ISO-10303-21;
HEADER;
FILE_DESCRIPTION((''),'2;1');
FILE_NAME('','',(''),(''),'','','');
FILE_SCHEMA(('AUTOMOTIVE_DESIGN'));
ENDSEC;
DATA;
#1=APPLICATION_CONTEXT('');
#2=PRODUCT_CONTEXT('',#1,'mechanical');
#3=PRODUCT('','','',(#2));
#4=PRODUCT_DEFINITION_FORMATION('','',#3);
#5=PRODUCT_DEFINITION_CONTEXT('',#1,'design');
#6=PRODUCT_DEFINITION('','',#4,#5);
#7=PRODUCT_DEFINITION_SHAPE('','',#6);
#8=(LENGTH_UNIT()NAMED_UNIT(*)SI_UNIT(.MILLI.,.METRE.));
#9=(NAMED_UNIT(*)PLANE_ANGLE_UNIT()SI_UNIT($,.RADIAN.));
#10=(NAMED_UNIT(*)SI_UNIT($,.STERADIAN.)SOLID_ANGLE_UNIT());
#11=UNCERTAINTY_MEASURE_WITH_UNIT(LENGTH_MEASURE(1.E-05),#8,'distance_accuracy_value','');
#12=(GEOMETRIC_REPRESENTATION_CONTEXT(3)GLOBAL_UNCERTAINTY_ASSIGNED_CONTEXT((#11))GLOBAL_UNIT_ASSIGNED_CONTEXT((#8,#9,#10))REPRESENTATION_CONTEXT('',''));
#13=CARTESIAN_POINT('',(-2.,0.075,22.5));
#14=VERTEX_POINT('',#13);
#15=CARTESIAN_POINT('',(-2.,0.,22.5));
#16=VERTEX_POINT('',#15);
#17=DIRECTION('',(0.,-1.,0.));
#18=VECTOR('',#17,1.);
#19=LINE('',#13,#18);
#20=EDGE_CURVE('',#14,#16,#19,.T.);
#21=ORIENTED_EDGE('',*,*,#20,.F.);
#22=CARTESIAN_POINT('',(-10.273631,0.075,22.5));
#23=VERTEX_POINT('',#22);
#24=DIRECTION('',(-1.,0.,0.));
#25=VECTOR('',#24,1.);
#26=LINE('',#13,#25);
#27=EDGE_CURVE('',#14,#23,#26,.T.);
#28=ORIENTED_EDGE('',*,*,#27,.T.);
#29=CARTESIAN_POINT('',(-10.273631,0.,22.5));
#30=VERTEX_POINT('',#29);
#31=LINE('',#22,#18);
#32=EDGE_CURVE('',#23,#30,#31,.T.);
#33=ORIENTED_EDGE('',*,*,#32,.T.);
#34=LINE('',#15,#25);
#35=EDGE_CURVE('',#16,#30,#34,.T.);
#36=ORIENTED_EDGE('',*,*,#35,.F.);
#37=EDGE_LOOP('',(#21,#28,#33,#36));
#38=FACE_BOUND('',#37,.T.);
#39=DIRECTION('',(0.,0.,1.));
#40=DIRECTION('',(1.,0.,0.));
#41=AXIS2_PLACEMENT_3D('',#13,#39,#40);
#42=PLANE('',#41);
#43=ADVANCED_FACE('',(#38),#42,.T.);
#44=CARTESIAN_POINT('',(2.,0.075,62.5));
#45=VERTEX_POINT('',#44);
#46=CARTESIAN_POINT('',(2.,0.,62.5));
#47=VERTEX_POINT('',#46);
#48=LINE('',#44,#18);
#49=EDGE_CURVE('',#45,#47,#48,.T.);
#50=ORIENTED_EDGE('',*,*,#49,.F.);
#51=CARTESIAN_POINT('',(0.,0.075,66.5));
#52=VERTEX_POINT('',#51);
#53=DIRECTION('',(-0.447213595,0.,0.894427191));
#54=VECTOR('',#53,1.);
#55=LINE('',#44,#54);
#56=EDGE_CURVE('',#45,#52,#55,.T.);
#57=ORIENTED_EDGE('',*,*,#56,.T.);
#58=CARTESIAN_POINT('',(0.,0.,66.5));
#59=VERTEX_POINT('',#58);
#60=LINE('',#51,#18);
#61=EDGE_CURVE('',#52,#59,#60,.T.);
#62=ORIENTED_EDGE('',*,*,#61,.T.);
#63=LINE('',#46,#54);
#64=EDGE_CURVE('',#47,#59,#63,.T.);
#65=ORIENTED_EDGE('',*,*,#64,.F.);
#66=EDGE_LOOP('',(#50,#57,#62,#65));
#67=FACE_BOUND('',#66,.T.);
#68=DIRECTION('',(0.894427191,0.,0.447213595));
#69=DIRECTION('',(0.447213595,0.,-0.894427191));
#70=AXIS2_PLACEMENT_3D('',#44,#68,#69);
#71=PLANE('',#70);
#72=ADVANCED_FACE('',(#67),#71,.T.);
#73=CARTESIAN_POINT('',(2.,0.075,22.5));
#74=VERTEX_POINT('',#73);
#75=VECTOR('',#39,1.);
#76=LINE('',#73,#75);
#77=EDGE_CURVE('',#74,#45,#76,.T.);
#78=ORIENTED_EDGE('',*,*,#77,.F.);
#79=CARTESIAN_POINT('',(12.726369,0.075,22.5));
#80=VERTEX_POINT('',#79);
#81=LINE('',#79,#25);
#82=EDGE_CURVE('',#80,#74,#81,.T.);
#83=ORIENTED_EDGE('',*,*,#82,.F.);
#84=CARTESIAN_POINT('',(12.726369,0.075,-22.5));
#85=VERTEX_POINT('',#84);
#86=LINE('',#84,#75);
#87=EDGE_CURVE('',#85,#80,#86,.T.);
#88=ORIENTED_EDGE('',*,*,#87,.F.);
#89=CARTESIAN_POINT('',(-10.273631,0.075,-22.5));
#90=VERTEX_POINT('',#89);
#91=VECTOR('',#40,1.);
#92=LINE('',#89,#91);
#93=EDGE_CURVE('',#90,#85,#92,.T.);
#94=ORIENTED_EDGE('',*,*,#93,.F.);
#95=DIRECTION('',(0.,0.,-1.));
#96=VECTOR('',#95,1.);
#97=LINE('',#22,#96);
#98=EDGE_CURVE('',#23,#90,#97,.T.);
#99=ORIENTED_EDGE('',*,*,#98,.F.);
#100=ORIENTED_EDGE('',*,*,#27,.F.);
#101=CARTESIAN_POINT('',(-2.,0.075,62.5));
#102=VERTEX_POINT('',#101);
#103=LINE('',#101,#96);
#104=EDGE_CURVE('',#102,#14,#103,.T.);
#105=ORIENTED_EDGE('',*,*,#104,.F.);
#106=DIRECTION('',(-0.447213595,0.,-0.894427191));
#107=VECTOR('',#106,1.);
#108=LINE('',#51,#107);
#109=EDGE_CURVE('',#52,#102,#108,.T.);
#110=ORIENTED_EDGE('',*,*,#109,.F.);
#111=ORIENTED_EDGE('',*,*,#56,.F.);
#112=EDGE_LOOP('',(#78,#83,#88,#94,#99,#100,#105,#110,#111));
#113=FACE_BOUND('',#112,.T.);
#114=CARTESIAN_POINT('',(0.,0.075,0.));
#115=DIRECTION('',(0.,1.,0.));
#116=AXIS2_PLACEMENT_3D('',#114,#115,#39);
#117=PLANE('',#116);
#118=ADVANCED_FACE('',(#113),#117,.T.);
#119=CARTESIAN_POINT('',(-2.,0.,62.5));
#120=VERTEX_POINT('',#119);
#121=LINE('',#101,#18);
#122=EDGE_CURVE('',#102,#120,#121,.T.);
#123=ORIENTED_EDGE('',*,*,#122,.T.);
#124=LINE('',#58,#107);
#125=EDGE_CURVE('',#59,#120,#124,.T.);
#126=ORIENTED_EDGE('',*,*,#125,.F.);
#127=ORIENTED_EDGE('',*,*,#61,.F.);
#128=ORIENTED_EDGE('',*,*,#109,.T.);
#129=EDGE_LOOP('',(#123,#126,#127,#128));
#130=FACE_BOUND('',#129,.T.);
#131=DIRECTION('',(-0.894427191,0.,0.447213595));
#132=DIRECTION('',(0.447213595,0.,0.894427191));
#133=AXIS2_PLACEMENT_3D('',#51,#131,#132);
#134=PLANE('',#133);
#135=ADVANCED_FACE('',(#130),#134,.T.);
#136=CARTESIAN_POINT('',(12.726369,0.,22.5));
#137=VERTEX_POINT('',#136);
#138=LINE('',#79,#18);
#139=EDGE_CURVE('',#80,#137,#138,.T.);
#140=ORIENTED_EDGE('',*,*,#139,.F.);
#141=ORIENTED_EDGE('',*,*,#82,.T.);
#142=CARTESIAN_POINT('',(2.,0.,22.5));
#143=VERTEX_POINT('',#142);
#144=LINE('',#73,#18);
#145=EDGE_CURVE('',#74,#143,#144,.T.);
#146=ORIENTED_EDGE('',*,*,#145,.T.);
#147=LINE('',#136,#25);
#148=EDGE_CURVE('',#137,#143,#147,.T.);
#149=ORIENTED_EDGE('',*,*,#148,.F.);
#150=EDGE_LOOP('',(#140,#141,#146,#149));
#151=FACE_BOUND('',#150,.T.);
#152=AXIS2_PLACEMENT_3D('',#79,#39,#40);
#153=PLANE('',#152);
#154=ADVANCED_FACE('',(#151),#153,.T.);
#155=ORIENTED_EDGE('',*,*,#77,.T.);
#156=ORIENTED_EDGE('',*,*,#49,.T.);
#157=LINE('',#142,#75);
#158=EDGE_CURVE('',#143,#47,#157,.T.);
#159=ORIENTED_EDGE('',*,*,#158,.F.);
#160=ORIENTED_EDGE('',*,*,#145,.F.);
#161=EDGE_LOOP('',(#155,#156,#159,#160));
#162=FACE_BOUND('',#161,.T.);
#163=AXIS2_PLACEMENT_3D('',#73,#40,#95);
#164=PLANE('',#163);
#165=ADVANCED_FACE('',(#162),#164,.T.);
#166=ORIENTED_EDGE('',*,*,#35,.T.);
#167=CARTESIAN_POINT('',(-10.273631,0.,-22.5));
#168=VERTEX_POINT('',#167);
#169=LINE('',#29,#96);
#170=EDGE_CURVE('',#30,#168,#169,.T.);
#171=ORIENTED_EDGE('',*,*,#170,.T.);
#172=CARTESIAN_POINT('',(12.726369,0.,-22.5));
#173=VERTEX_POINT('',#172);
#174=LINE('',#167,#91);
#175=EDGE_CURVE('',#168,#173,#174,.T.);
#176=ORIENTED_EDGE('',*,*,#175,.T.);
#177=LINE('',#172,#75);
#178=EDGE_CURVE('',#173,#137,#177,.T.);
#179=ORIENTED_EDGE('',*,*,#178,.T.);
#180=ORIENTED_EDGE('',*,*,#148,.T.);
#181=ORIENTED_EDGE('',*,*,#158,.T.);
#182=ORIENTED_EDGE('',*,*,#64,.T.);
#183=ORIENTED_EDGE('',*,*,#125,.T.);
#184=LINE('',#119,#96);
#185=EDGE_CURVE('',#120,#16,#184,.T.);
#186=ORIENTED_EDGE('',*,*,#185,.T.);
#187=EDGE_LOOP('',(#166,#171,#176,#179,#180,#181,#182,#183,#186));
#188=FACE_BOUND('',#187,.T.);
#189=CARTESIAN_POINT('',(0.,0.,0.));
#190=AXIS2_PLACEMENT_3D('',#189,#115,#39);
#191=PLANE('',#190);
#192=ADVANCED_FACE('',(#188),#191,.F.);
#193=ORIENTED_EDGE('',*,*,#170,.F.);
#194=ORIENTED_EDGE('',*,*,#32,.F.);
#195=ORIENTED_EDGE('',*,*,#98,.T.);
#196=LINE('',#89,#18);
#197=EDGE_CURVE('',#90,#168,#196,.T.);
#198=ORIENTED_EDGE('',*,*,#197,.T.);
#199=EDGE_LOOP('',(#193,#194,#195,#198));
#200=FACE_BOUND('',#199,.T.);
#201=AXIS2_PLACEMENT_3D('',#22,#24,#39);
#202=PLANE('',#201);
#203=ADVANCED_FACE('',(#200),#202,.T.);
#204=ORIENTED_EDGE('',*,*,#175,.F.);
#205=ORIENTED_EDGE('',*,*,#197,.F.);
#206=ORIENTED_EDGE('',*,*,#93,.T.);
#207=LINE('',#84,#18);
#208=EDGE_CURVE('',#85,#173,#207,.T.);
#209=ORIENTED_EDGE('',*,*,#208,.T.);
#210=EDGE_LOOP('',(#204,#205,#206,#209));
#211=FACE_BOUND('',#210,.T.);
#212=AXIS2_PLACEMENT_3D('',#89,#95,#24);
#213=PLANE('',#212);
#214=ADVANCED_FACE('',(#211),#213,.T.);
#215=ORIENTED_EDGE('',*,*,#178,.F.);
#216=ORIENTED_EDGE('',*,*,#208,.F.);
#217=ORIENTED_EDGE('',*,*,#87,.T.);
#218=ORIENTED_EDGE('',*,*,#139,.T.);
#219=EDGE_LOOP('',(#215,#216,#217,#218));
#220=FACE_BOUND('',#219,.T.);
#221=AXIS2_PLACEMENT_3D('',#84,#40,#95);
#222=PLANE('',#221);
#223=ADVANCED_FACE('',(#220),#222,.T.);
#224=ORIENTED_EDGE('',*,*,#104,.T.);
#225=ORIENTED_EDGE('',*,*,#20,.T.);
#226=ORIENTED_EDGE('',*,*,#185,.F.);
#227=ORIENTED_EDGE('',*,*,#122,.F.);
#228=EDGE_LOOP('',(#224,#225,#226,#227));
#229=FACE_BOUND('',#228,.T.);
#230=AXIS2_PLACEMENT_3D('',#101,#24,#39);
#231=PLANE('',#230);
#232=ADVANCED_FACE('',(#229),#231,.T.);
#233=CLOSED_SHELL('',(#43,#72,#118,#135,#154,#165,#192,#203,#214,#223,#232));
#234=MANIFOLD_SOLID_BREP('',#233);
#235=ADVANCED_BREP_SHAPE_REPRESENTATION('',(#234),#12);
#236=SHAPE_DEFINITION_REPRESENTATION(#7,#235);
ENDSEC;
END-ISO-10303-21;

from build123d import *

# Parameters (mm, degrees)
BOSS_EXTRUDE3_DEPTH = 0.075


with BuildPart() as part:
    # Sketch5 → Boss-Extrude3 (new body)
    with BuildSketch(Plane(origin=(-4.151565836, 0, 2.12145133), x_dir=(1, 0, 0), z_dir=(0, 1, 0))):
        Polygon((-6.122064727, 24.62145133), (16.877935273, 24.62145133), (16.877935273, -20.37854867), (6.151565836, -20.37854867), (6.151565836, -60.37854867), (4.151565836, -64.37854867), (2.151565836, -60.37854867), (2.151565836, -20.37854867), (-6.122064727, -20.37854867), align=None)
    extrude(amount=BOSS_EXTRUDE3_DEPTH)


solid = part.part
